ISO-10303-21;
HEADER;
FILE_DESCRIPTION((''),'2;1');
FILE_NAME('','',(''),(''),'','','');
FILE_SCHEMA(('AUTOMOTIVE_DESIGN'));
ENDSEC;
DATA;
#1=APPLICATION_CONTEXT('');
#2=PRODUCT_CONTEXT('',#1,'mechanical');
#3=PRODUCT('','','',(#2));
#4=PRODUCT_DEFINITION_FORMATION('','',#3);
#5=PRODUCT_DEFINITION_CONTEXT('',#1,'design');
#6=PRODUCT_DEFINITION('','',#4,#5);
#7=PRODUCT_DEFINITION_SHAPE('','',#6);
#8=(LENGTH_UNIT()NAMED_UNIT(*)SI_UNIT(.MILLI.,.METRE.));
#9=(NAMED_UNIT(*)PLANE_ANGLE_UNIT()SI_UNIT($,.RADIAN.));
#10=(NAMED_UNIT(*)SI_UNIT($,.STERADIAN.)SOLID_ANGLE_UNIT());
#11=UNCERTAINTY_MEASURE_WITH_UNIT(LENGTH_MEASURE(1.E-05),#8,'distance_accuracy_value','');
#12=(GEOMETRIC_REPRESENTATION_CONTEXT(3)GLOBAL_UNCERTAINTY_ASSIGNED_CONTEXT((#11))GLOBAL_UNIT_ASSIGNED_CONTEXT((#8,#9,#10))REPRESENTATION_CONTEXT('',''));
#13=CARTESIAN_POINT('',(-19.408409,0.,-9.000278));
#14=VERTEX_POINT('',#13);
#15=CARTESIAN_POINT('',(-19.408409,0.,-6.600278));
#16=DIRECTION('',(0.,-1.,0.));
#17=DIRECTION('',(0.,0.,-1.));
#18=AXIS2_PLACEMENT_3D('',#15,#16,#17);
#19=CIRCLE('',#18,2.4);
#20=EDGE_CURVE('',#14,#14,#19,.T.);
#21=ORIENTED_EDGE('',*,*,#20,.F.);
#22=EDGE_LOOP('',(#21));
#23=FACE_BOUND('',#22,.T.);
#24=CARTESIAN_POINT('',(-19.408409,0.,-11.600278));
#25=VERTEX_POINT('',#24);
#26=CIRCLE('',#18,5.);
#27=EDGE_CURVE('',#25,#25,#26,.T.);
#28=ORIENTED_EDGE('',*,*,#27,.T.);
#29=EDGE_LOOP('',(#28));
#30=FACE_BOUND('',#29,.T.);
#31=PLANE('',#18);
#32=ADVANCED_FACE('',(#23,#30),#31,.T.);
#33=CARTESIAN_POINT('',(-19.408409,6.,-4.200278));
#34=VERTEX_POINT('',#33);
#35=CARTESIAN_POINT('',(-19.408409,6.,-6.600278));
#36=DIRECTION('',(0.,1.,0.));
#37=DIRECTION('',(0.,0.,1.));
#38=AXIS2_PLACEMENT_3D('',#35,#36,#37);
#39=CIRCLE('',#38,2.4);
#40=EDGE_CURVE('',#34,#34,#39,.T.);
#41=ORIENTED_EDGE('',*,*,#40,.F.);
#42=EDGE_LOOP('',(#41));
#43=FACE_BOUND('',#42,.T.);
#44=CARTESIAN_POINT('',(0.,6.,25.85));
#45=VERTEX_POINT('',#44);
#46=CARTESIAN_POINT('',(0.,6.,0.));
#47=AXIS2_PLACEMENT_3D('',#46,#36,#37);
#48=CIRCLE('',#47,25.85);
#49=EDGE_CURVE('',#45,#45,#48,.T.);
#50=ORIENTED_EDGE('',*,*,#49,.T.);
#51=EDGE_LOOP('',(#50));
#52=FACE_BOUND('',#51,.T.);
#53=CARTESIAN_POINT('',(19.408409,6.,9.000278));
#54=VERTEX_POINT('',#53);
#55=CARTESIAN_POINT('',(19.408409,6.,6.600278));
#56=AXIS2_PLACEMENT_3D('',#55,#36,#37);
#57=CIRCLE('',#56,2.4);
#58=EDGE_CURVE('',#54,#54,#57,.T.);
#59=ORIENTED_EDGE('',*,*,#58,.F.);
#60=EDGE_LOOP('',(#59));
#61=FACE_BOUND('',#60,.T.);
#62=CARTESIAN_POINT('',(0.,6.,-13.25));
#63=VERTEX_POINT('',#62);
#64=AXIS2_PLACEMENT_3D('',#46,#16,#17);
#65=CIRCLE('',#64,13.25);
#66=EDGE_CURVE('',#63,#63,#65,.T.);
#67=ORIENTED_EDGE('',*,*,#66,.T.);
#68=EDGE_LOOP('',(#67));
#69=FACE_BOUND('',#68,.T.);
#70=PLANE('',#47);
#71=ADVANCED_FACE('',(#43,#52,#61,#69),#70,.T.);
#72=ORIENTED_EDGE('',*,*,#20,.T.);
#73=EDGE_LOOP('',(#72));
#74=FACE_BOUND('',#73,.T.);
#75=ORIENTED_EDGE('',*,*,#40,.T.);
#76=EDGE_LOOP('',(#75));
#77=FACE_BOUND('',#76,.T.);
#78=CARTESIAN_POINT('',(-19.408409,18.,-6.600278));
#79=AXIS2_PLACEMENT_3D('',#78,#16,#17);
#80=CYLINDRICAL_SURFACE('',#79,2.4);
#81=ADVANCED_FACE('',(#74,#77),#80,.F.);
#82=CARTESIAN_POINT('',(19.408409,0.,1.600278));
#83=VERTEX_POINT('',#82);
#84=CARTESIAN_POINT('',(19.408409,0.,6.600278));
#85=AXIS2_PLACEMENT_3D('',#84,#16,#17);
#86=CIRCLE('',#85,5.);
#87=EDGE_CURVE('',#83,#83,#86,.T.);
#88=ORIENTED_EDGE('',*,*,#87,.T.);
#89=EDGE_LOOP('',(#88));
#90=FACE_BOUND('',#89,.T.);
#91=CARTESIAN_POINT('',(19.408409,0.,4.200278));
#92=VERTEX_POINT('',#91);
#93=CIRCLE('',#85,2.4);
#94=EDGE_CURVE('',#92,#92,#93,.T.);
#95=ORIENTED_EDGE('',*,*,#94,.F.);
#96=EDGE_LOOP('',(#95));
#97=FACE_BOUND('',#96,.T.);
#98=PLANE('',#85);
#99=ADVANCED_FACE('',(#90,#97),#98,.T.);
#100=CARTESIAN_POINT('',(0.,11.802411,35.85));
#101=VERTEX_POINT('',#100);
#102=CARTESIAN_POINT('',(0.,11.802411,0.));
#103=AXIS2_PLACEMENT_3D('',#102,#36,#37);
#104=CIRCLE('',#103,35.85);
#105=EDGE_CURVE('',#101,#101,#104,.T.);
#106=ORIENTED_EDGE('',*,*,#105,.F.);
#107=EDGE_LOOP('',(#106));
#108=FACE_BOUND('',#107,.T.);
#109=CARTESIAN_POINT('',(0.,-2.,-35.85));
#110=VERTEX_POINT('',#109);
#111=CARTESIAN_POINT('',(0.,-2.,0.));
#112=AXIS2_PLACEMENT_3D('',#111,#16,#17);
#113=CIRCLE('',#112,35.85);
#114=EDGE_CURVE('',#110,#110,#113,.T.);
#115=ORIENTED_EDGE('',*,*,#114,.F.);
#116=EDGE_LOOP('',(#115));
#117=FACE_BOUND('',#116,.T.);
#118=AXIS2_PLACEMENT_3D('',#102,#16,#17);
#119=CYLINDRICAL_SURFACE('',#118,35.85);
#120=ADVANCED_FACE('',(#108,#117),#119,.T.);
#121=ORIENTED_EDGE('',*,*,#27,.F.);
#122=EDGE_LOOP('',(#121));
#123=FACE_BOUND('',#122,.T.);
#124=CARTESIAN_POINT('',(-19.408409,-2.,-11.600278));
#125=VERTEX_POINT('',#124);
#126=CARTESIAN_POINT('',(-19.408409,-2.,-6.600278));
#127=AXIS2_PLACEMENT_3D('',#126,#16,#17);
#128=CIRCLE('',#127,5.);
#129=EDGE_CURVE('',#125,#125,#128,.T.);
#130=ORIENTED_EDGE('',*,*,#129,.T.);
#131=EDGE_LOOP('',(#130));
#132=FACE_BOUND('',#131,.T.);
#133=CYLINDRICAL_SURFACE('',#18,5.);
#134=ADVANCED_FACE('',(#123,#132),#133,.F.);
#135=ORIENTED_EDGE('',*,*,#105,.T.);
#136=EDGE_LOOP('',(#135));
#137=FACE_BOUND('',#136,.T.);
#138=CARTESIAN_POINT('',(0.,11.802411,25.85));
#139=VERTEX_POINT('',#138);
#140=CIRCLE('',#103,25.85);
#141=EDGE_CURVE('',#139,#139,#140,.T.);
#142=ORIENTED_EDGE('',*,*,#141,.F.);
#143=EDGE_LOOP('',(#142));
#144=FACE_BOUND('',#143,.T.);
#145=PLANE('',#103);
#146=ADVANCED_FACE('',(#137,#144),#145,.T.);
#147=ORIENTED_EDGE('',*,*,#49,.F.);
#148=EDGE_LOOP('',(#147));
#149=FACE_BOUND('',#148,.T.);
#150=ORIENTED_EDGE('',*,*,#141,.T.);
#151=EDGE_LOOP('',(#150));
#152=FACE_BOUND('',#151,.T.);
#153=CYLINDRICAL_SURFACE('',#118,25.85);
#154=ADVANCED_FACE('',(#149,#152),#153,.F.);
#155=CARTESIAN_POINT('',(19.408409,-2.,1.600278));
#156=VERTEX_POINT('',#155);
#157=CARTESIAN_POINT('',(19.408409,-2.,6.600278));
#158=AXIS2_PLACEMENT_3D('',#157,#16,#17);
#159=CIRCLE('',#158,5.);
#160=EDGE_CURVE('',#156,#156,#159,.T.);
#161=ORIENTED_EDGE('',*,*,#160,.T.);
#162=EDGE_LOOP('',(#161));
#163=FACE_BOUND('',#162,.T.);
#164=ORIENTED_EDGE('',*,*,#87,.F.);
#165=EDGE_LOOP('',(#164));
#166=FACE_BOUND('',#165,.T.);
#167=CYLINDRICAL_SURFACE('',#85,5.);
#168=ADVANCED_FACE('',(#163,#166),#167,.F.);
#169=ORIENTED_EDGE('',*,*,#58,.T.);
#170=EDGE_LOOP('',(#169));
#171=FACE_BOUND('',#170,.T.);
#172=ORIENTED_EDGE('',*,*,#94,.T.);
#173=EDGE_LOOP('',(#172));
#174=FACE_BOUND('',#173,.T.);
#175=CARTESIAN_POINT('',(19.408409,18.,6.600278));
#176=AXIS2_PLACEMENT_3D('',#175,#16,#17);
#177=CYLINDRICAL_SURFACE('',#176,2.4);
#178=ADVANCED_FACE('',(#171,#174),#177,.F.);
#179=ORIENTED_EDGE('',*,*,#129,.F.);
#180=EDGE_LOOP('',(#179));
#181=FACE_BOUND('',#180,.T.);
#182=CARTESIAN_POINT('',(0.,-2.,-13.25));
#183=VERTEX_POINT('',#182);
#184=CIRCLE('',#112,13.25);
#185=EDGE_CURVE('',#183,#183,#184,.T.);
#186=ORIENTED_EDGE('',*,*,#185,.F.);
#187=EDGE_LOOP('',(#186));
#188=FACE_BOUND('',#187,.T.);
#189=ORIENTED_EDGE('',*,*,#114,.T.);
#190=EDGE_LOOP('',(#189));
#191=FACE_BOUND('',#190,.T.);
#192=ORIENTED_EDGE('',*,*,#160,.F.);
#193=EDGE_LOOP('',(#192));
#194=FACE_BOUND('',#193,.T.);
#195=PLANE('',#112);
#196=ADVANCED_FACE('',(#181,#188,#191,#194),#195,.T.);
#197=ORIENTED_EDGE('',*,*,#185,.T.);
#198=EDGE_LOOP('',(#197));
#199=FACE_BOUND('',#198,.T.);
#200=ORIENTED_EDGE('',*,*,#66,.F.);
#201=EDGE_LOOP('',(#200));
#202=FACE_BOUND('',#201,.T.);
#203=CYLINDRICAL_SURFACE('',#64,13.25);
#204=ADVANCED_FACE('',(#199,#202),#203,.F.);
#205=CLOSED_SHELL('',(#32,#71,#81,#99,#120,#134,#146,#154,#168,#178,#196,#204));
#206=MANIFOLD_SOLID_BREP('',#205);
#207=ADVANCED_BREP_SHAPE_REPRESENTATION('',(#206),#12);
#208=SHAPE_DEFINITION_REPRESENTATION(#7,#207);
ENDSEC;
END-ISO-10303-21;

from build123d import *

# Parameters (mm, degrees)
SKETCH2_R           = 35.85
BOSS_EXTRUDE3_DEPTH = 11.802411407
SKETCH3_R           = 13.25
CUT_EXTRUDE1_DEPTH  = 6
SHELL1_T            = -10
CUT_EXTRUDE2_START  = -6
SKETCH4_R           = 23.25
CUT_EXTRUDE2_DEPTH  = 6
CUT_EXTRUDE3_START  = -4
SKETCH5_R           = 25.85
CUT_EXTRUDE3_DEPTH  = 4
SKETCH6_R           = 2.4
CUT_EXTRUDE4_DEPTH  = 18
BOSS_EXTRUDE4_START = 2
SKETCH7_R           = 35.85
BOSS_EXTRUDE4_DEPTH = 2
SKETCH8_R           = 5
SKETCH8_R_2         = 13.25
CUT_EXTRUDE6_DEPTH  = 2


with BuildPart() as part:
    # Sketch2 → Boss-Extrude3 (new body)
    with BuildSketch(Plane(origin=(0, 0, 0), x_dir=(1, 0, 0), z_dir=(0, 1, 0))):
        with Locations(Location((0, 0, 0), (0, 0, 270))):
            Circle(SKETCH2_R)
    extrude(amount=BOSS_EXTRUDE3_DEPTH)

    # Sketch3 → Cut-Extrude1 (cut)
    with BuildSketch(Plane.XZ):
        with Locations(Location((0, 0, 0), (0, 0, 270))):
            Circle(SKETCH3_R)
    extrude(amount=-CUT_EXTRUDE1_DEPTH, mode=Mode.SUBTRACT)

    # Shell1
    shell1_openings = [part.faces().sort_by_distance(p)[0] for p in [
        (0, 11.802411407, 0),
    ]]
    offset(amount=SHELL1_T, openings=shell1_openings, kind=Kind.INTERSECTION)

    # Sketch4 → Cut-Extrude2 (cut)
    with BuildSketch(Plane(origin=(0, 16, 0), x_dir=(1, 0, 0), z_dir=(0, 1, 0)).offset(CUT_EXTRUDE2_START)):
        Circle(SKETCH4_R)
    extrude(amount=CUT_EXTRUDE2_DEPTH, mode=Mode.SUBTRACT)

    # Sketch5 → Cut-Extrude3 (cut)
    with BuildSketch(Plane(origin=(0, 10, 0), x_dir=(1, 0, 0), z_dir=(0, 1, 0)).offset(CUT_EXTRUDE3_START)):
        with Locations(Location((0, 0, 0), (0, 0, 270))):
            Circle(SKETCH5_R)
    extrude(amount=CUT_EXTRUDE3_DEPTH, mode=Mode.SUBTRACT)

    # Sketch6 → Cut-Extrude4 (cut)
    with BuildSketch(Plane.XZ):
        with Locations(Location((-19.408408583, -6.6002785, 0), (0, 0, 270))):
            Circle(SKETCH6_R)
        with Locations(Location((19.408408583, 6.6002785, 0), (0, 0, 270))):
            Circle(SKETCH6_R)
    extrude(amount=-CUT_EXTRUDE4_DEPTH, mode=Mode.SUBTRACT)

    # Sketch7 → Boss-Extrude4 (add)
    with BuildSketch(Plane.XZ.offset(BOSS_EXTRUDE4_START)):
        with Locations(Location((0, 0, 0), (0, 0, 270))):
            Circle(SKETCH7_R)
    extrude(amount=-BOSS_EXTRUDE4_DEPTH)

    # Sketch8 → Cut-Extrude6 (cut)
    with BuildSketch(Plane.XZ.offset(2)):
        with Locations(Location((-19.408408583, -6.6002785, 0), (0, 0, 270))):
            Circle(SKETCH8_R)
        with Locations(Location((19.408408583, 6.6002785, 0), (0, 0, 270))):
            Circle(SKETCH8_R)
        with Locations(Location((0, 0, 0), (0, 0, 270))):
            Circle(SKETCH8_R_2)
    extrude(amount=-CUT_EXTRUDE6_DEPTH, mode=Mode.SUBTRACT)


solid = part.part
